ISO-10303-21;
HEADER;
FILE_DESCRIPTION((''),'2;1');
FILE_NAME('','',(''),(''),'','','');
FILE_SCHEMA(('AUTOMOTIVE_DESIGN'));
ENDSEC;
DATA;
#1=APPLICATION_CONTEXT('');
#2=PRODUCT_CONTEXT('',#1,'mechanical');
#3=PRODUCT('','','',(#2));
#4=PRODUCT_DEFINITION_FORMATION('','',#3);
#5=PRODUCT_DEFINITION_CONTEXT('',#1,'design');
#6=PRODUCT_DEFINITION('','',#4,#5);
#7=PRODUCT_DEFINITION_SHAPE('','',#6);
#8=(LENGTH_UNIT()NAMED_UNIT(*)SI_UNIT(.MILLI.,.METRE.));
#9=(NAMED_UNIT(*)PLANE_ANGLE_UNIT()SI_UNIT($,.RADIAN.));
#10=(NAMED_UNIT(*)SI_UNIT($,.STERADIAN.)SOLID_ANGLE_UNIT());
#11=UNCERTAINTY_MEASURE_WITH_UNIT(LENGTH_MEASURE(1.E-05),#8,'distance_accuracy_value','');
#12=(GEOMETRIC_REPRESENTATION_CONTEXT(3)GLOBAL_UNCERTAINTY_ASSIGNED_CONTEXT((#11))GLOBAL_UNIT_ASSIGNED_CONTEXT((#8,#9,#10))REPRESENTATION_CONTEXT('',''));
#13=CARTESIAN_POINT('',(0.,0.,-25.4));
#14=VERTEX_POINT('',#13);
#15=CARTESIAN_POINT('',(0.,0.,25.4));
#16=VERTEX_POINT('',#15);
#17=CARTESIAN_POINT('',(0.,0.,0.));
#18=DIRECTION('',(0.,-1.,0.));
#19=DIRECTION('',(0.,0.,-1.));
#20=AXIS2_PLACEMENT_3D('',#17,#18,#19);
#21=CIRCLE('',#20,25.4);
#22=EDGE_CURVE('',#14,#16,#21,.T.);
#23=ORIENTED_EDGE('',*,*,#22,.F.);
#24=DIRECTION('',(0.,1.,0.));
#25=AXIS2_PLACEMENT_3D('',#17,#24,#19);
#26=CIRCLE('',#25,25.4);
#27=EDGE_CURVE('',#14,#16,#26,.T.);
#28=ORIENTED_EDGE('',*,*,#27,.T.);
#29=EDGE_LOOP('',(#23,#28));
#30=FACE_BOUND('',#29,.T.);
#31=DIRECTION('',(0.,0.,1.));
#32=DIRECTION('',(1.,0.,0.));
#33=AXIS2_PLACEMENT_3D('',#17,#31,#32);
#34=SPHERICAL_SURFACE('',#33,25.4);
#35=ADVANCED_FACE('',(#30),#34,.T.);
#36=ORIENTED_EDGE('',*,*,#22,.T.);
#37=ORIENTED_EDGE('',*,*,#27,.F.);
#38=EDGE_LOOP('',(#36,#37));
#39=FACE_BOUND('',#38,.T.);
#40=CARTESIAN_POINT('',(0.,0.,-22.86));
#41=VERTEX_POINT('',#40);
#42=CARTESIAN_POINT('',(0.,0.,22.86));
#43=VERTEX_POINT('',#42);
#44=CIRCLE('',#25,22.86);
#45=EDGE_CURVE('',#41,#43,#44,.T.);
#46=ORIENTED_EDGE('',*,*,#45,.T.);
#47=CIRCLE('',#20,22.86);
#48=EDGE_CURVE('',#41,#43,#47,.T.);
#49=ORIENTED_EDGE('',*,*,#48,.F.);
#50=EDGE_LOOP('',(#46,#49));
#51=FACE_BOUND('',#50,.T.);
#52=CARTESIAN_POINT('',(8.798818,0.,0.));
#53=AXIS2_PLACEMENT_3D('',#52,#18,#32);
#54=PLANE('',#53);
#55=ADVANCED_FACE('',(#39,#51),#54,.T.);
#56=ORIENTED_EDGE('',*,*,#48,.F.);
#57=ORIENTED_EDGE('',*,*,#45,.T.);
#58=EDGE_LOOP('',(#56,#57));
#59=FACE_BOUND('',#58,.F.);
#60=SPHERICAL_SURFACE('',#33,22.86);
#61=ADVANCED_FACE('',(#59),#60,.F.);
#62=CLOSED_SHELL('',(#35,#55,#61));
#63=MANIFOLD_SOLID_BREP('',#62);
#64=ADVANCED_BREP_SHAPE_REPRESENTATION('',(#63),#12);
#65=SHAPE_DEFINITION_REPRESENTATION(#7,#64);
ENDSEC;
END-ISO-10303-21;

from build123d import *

# Parameters (mm, degrees)
F1_ANGLE = 180
F2_T     = -2.54


with BuildPart() as f1:
    # F0 (on Front) → F1 (revolve)
    with BuildSketch(Plane.XZ):
        with BuildLine():
            Line((0, 25.4), (0, -25.4))
            ThreePointArc((0, -25.4), (25.4, 0), (0, 25.4))
        make_face()
    revolve(axis=Axis((0, 0, 35.045028), (0, 0, 1)), revolution_arc=F1_ANGLE)

    # F2
    f2_openings = [f1.faces().sort_by_distance(p)[0] for p in [
        (0, 0, 0),
    ]]
    offset(amount=F2_T, openings=f2_openings)


solid = f1.part
